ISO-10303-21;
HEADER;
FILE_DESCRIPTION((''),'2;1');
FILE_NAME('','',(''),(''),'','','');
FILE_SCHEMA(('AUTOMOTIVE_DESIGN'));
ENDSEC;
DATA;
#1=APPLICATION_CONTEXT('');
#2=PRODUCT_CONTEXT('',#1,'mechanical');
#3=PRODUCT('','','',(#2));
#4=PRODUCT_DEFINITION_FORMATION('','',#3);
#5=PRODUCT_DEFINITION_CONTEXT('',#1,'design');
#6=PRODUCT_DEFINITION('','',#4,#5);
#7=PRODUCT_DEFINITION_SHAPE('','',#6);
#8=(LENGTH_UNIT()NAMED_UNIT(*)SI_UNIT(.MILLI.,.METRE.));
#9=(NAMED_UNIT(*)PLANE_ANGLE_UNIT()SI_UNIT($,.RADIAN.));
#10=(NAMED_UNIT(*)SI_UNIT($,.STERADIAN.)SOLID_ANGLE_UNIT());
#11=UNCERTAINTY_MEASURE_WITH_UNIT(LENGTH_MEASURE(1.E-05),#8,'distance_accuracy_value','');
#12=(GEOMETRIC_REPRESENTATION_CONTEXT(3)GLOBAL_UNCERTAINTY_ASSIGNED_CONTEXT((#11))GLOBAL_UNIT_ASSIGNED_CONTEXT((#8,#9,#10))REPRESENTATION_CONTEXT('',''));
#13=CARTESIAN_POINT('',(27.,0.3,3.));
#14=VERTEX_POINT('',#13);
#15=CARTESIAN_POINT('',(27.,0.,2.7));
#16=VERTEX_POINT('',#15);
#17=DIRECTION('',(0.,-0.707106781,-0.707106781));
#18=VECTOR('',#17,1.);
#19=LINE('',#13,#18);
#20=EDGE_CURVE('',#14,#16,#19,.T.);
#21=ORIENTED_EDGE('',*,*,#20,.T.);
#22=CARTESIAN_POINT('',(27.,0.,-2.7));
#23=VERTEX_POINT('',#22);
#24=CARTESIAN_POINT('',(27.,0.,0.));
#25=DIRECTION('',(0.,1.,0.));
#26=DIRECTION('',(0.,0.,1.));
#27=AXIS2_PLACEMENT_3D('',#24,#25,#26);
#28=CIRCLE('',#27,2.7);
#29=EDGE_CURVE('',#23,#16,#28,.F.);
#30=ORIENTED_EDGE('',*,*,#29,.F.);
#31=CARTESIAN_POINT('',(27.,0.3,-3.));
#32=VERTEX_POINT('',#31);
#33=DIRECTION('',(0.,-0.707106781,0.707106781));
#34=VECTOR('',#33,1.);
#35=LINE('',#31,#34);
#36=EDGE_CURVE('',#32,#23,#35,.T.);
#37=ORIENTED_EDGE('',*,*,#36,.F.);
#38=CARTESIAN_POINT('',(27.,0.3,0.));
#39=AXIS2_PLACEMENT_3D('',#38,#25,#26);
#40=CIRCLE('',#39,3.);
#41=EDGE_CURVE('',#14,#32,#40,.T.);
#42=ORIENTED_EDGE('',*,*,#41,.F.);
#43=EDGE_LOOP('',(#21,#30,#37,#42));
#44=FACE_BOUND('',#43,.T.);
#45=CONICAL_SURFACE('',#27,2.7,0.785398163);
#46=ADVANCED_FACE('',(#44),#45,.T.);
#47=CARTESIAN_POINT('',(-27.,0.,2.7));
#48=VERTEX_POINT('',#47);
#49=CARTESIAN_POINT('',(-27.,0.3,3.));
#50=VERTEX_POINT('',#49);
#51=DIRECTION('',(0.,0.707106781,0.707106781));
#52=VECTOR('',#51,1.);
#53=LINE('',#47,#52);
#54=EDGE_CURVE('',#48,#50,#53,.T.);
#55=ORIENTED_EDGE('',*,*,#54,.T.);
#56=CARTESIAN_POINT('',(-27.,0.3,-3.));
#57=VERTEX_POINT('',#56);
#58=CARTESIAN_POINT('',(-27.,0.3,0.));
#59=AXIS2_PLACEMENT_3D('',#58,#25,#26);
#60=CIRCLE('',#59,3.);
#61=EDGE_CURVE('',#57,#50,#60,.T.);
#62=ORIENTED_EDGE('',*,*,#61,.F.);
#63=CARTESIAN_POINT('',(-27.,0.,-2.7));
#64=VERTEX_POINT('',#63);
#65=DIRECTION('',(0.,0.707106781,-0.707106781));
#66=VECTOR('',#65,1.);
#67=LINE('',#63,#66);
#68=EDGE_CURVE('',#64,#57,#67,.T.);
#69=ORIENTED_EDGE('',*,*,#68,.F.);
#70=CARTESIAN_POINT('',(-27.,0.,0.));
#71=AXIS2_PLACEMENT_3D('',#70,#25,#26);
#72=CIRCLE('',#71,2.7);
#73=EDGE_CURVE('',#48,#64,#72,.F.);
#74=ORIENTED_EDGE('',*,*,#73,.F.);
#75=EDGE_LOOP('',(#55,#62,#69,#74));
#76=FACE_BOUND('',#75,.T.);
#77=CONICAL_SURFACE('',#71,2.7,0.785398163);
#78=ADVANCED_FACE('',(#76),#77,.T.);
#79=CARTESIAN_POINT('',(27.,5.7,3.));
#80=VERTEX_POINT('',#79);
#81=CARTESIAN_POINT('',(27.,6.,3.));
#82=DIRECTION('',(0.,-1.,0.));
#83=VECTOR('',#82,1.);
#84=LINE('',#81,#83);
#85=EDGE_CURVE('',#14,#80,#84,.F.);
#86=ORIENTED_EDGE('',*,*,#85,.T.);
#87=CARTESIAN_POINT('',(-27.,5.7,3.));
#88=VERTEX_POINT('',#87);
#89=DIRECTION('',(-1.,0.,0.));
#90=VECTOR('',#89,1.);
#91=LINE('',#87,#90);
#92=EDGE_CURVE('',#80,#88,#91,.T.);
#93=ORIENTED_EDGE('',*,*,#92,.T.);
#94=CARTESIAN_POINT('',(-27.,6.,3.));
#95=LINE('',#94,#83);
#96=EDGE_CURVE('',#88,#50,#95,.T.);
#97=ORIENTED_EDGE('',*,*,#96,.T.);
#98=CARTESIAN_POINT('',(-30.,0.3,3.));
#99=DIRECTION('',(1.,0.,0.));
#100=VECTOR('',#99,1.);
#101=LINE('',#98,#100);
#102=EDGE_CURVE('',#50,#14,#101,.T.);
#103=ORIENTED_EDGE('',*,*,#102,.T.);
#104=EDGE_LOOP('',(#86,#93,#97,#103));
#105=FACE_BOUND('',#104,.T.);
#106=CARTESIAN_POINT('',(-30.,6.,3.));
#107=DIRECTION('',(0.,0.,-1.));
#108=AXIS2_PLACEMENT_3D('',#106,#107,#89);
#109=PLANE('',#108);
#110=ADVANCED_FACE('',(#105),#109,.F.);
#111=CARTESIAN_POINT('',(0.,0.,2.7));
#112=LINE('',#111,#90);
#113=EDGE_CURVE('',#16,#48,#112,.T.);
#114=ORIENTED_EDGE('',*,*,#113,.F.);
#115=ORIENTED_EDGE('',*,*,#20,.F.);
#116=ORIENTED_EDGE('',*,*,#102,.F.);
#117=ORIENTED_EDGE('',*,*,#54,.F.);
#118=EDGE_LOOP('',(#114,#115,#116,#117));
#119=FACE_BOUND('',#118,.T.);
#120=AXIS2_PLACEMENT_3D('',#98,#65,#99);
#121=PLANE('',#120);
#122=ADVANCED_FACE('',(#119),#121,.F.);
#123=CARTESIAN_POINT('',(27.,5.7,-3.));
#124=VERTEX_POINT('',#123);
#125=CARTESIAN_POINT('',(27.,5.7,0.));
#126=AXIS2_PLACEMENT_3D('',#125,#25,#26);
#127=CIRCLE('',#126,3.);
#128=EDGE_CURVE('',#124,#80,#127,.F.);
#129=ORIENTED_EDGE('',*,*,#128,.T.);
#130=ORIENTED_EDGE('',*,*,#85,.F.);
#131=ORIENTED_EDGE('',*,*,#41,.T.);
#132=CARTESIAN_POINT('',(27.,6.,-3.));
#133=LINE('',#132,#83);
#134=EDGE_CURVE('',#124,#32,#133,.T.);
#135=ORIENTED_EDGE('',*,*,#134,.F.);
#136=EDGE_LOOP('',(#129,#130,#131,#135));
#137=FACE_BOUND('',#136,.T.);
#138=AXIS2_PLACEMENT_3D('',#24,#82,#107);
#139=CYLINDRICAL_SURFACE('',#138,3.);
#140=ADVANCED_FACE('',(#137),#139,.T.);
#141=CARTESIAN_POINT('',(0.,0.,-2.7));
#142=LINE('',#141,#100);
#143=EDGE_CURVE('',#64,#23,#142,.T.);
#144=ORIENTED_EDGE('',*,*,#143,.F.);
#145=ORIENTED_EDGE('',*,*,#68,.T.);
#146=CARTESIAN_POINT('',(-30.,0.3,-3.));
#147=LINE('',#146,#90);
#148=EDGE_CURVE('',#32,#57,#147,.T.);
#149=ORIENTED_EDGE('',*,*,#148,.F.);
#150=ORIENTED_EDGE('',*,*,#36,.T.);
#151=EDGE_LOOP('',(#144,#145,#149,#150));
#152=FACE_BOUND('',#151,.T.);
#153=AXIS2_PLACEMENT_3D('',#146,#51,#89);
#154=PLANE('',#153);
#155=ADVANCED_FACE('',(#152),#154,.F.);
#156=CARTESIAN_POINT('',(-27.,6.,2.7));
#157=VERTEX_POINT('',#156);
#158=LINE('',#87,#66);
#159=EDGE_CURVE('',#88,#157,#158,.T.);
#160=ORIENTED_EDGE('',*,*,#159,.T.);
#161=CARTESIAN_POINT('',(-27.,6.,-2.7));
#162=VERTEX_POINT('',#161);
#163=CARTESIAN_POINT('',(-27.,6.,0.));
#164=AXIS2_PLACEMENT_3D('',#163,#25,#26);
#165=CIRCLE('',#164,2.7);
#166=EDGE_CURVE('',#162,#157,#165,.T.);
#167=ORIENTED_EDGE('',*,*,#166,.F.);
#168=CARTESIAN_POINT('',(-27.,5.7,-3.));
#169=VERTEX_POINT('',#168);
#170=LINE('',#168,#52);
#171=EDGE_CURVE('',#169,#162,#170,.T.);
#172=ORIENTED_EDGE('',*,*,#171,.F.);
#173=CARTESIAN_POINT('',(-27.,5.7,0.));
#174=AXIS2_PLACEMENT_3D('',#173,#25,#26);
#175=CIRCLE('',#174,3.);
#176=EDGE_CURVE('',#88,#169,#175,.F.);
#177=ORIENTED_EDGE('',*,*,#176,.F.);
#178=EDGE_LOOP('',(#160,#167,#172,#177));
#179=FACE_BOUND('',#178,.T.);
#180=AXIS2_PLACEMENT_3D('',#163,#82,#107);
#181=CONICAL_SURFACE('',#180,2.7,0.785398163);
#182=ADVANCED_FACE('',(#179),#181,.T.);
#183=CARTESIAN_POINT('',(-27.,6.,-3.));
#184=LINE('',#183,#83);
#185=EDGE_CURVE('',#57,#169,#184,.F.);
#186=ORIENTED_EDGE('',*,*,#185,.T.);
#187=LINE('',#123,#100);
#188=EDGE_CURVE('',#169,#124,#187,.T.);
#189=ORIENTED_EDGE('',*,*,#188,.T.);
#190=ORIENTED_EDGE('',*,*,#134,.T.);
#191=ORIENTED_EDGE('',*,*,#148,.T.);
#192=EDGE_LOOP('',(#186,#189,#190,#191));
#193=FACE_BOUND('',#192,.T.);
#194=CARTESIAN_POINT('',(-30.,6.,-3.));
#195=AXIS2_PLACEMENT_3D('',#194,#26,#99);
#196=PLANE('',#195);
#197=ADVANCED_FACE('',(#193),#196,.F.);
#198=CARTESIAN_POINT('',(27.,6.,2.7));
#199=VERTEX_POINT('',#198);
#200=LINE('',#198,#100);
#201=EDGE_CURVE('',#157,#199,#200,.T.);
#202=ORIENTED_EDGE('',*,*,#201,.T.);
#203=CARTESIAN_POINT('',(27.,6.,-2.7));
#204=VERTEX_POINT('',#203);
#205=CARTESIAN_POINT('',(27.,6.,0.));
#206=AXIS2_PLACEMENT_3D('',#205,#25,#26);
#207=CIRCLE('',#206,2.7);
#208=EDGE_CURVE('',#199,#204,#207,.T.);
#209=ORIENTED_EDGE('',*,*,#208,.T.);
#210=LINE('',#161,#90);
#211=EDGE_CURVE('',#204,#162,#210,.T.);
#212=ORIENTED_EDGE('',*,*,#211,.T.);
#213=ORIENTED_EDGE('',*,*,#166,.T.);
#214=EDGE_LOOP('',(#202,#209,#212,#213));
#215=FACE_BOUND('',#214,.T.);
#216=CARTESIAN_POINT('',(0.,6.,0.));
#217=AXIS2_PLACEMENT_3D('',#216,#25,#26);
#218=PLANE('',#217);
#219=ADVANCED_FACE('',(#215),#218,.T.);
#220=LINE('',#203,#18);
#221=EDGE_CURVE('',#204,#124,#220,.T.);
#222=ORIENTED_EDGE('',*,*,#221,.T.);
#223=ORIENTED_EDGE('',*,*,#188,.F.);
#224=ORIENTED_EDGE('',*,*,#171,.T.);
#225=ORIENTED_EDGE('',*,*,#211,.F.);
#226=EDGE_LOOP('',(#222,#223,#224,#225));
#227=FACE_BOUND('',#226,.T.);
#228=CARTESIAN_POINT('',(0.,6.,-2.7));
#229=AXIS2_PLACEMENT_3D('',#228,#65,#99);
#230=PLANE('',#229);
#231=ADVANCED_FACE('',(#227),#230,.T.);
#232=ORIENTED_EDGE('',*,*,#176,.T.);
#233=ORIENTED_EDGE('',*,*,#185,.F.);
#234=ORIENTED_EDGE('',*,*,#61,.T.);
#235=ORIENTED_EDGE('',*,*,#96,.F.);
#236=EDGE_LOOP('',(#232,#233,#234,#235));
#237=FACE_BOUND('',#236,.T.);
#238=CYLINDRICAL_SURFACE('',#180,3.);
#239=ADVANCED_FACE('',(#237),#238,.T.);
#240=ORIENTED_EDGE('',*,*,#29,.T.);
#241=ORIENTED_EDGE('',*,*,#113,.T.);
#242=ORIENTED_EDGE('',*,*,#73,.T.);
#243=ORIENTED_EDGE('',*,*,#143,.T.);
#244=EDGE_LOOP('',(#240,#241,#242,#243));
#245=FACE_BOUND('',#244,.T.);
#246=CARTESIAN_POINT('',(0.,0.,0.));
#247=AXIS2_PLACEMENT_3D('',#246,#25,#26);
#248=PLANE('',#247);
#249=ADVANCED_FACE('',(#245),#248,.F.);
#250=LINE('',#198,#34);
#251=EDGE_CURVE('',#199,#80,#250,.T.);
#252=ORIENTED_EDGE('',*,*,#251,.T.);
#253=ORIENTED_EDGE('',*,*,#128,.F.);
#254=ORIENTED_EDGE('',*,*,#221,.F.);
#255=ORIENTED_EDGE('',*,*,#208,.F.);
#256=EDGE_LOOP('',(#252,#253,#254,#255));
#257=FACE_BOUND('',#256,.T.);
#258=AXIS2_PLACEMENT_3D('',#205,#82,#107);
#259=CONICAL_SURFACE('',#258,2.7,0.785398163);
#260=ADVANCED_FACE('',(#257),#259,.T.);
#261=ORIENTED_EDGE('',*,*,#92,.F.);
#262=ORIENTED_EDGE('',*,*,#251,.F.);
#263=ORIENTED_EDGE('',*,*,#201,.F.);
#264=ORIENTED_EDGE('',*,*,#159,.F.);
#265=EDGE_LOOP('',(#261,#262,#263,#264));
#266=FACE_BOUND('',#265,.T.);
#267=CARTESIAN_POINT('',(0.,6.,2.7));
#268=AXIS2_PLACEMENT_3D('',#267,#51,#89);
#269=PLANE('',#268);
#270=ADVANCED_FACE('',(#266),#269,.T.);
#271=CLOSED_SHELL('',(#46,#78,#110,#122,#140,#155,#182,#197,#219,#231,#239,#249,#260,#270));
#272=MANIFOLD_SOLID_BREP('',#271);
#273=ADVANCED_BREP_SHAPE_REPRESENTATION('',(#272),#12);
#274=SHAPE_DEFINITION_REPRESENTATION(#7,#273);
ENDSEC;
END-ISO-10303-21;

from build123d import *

# Parameters (mm, degrees)
SKETCH1_W           = 60
SKETCH1_H           = 6
BOSS_EXTRUDE1_DEPTH = 6
FILLET1_RADIUS      = 3
FILLET1_LENGTH      = 6
FILLET2_RADIUS      = 3
FILLET2_LENGTH      = 6
CHAMFER2_SIZE       = 0.3


with BuildPart() as part:
    # Sketch1 → Boss-Extrude1 (new body)
    with BuildSketch(Plane(origin=(0, 0, 0), x_dir=(1, 0, 0), z_dir=(0, 1, 0))):
        Rectangle(SKETCH1_W, SKETCH1_H)
    extrude(amount=BOSS_EXTRUDE1_DEPTH)

    # Fillet1: full round fillet: the end face becomes a half cylinder, R = half its width
    fillet1_face = Plane((-30, 3, 0), x_dir=(0, -1, 0), z_dir=(-1, 0, 0))  # on the end face: x along it, z out of the body
    fillet1_slab = fillet1_face.offset(-FILLET1_RADIUS / 2) * Box(FILLET1_LENGTH, 2 * FILLET1_RADIUS, FILLET1_RADIUS, mode=Mode.PRIVATE)  # the body's end, R deep
    fillet1_round = Plane((-27, 3, 0), x_dir=(-1, 0, 0), z_dir=(0, -1, 0)) * Cylinder(FILLET1_RADIUS, FILLET1_LENGTH, mode=Mode.PRIVATE)  # its axis R under the face
    add(fillet1_slab - fillet1_round, mode=Mode.SUBTRACT)

    # Fillet2: full round fillet: the end face becomes a half cylinder, R = half its width
    fillet2_face = Plane((30, 3, 0), x_dir=(0, 1, 0), z_dir=(1, 0, 0))  # on the end face: x along it, z out of the body
    fillet2_slab = fillet2_face.offset(-FILLET2_RADIUS / 2) * Box(FILLET2_LENGTH, 2 * FILLET2_RADIUS, FILLET2_RADIUS, mode=Mode.PRIVATE)  # the body's end, R deep
    fillet2_round = Plane((27, 3, 0), x_dir=(1, 0, 0), z_dir=(0, 1, 0)) * Cylinder(FILLET2_RADIUS, FILLET2_LENGTH, mode=Mode.PRIVATE)  # its axis R under the face
    add(fillet2_slab - fillet2_round, mode=Mode.SUBTRACT)

    # Chamfer2
    chamfer2_edges = [part.edges().sort_by_distance(p)[0] for p in [
        (0, 0, 3),
        (0, 6, 3),
        (-30, 6, 0),
        (-30, 0, 0),
        (0, 0, -3),
        (0, 6, -3),
        (30, 0, 0),
        (30, 6, 0),
    ]]
    chamfer(chamfer2_edges, length=CHAMFER2_SIZE)


solid = part.part
